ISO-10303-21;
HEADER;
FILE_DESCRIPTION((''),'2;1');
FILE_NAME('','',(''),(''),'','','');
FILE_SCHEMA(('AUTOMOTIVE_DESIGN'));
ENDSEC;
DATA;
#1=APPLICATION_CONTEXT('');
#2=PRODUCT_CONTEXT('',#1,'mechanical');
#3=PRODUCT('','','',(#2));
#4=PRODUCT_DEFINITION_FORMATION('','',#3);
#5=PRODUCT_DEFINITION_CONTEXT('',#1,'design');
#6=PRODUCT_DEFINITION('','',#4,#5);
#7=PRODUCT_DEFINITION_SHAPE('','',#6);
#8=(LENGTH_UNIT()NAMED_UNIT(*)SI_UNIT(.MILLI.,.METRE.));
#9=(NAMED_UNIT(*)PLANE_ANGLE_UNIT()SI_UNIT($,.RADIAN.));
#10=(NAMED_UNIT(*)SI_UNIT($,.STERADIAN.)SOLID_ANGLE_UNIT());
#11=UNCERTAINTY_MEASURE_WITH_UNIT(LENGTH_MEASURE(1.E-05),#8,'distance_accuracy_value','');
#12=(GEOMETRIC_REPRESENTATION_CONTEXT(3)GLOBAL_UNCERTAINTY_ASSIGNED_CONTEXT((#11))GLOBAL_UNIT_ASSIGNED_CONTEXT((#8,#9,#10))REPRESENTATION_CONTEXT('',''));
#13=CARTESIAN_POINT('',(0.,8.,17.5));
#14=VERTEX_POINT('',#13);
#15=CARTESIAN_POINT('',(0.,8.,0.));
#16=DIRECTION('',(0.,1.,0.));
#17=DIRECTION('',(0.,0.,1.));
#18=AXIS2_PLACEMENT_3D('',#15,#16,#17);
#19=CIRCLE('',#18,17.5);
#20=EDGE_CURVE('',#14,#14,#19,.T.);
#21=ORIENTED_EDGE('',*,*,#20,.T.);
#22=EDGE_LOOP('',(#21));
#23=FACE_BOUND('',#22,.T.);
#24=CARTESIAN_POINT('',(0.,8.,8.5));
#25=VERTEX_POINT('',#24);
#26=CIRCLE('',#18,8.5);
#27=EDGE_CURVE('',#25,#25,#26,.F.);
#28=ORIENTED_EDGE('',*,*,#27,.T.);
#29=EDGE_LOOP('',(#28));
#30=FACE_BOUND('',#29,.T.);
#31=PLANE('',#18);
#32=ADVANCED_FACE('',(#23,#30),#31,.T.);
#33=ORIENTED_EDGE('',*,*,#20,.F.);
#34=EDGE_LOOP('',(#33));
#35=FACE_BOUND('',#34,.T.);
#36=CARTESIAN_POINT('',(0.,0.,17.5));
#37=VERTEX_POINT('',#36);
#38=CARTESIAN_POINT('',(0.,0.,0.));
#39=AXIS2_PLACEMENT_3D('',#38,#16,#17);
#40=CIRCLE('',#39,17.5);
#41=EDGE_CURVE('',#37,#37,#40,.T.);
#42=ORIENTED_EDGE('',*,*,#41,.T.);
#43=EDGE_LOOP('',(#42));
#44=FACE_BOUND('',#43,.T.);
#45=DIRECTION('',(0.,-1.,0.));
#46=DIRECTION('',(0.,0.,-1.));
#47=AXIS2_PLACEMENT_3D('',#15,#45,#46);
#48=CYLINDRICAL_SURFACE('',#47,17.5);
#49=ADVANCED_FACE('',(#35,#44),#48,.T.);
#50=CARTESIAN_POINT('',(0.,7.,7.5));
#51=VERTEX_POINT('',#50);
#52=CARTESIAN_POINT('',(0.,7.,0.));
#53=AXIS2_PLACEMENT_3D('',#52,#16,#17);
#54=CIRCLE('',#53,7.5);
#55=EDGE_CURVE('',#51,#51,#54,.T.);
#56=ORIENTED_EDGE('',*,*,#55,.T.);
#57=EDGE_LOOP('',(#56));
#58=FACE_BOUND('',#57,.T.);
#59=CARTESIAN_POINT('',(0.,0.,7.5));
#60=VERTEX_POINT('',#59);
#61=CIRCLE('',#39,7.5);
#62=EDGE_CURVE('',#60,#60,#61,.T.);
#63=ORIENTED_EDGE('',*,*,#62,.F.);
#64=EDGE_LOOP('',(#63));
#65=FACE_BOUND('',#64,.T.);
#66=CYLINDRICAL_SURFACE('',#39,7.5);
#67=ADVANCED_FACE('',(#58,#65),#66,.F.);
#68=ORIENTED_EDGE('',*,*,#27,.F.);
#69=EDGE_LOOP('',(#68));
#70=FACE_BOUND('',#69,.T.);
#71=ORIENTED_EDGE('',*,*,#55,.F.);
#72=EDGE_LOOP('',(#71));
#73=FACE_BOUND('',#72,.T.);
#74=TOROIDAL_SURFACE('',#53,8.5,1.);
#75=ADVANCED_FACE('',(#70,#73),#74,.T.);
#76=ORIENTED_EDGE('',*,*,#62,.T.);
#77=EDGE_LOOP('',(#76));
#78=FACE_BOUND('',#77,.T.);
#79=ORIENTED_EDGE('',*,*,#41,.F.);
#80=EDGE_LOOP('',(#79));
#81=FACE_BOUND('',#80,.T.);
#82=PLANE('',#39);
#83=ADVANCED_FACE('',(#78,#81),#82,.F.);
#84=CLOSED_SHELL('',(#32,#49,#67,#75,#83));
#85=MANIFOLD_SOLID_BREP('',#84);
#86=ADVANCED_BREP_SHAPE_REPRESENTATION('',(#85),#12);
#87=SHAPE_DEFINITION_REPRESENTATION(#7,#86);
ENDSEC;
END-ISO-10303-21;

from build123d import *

# Parameters (mm, degrees)
SKETCH1_R           = 17.5
BOSS_EXTRUDE1_DEPTH = 8
SKETCH2_R           = 7.5
CUT_EXTRUDE1_DEPTH  = 9
FILLET1_R           = 1


with BuildPart() as part:
    # Sketch1 → Boss-Extrude1 (new body)
    with BuildSketch(Plane(origin=(0, 0, 0), x_dir=(1, 0, 0), z_dir=(0, 1, 0))):
        Circle(SKETCH1_R)
    extrude(amount=BOSS_EXTRUDE1_DEPTH)

    # Sketch2 → Cut-Extrude1 (cut, through all)
    with BuildSketch(Plane(origin=(0, 8, 0), x_dir=(1, 0, 0), z_dir=(0, 1, 0))):
        Circle(SKETCH2_R)
    extrude(amount=-CUT_EXTRUDE1_DEPTH, mode=Mode.SUBTRACT)

    # Fillet1
    fillet1_edges = [part.edges().sort_by_distance(p)[0] for p in [
        (-7.5, 8, 0),
    ]]
    fillet(fillet1_edges, radius=FILLET1_R)


solid = part.part
